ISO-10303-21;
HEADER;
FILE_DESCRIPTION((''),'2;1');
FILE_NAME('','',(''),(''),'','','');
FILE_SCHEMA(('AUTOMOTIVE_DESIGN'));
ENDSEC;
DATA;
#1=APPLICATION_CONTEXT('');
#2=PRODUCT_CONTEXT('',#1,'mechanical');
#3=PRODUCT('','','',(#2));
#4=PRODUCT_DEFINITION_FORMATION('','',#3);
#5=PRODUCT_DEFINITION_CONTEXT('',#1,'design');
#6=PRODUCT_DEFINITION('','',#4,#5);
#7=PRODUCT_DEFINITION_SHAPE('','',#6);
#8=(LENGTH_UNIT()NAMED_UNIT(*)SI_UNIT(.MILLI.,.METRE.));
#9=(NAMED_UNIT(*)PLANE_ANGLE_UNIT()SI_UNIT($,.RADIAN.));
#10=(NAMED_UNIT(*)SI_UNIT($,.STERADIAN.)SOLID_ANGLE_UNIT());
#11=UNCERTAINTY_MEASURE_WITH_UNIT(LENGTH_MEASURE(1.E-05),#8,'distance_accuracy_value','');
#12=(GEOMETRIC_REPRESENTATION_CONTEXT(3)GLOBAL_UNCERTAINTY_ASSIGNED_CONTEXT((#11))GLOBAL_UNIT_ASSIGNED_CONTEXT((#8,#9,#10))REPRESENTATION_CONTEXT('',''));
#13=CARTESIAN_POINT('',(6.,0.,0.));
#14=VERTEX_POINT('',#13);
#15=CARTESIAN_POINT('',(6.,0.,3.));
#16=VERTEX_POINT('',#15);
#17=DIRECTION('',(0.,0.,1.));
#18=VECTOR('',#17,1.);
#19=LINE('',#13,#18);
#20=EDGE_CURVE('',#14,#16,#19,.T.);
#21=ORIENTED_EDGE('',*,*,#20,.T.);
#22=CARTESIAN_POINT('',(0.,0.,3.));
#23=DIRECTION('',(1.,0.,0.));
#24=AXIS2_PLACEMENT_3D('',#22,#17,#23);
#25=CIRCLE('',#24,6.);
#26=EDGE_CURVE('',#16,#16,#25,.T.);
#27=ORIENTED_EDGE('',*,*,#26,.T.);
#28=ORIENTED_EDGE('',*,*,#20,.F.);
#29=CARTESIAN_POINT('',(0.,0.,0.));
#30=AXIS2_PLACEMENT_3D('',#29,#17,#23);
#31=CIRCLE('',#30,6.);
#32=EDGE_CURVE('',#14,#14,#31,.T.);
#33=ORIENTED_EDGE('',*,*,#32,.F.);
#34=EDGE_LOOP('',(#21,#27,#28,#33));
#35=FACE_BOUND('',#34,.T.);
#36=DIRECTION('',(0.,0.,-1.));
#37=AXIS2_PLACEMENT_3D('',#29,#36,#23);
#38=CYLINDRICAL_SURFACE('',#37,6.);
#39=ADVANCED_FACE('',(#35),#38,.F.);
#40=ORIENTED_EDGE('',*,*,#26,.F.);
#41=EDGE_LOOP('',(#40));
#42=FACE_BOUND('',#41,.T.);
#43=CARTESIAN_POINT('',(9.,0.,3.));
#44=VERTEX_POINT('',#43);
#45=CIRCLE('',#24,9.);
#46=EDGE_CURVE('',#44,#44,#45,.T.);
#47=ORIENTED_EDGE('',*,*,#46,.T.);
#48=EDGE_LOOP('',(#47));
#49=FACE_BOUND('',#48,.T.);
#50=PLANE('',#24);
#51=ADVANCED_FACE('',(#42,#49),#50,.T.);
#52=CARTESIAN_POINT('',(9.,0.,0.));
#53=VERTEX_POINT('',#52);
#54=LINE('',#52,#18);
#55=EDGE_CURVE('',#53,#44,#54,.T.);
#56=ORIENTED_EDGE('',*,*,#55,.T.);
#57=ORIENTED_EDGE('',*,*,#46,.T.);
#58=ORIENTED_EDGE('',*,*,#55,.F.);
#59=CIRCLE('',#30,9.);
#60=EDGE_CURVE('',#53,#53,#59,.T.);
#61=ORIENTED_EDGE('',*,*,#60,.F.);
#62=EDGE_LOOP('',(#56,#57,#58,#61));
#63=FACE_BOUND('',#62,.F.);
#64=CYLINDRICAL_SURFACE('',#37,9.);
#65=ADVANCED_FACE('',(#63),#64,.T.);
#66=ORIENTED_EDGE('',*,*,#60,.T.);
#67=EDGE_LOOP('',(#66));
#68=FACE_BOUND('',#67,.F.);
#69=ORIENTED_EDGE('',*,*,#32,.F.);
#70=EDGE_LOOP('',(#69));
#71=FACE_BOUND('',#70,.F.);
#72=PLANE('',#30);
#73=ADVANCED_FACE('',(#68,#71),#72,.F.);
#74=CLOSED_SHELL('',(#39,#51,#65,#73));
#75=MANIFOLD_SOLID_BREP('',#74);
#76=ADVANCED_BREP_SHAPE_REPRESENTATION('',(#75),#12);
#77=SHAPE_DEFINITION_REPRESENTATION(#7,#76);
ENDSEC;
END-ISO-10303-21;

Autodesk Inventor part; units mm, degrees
ref_plane "YZ Plane" through (0, 0, 0) normal (1, 0, 0) x (0, 1, 0)
ref_plane "XZ Plane" through (0, 0, 0) normal (0, 1, 0) x (-1, 0, 0)
ref_plane "XY Plane" through (0, 0, 0) normal (0, 0, 1) x (1, 0, 0)
sketch "スケッチ1" plane through (0, 0, 0) normal (0, 0, 1) x (1, 0, 0)
  circle A0 centre (0, 0) radius 6
  circle A1 centre (0, 0) radius 9
  dimension "d0" = 12
  dimension "d1" = 18
extrude "押し出し1" add sketch "スケッチ1" along normal blind 3
properties part number "ベアリング12.18" material "ステンレス鋼"
